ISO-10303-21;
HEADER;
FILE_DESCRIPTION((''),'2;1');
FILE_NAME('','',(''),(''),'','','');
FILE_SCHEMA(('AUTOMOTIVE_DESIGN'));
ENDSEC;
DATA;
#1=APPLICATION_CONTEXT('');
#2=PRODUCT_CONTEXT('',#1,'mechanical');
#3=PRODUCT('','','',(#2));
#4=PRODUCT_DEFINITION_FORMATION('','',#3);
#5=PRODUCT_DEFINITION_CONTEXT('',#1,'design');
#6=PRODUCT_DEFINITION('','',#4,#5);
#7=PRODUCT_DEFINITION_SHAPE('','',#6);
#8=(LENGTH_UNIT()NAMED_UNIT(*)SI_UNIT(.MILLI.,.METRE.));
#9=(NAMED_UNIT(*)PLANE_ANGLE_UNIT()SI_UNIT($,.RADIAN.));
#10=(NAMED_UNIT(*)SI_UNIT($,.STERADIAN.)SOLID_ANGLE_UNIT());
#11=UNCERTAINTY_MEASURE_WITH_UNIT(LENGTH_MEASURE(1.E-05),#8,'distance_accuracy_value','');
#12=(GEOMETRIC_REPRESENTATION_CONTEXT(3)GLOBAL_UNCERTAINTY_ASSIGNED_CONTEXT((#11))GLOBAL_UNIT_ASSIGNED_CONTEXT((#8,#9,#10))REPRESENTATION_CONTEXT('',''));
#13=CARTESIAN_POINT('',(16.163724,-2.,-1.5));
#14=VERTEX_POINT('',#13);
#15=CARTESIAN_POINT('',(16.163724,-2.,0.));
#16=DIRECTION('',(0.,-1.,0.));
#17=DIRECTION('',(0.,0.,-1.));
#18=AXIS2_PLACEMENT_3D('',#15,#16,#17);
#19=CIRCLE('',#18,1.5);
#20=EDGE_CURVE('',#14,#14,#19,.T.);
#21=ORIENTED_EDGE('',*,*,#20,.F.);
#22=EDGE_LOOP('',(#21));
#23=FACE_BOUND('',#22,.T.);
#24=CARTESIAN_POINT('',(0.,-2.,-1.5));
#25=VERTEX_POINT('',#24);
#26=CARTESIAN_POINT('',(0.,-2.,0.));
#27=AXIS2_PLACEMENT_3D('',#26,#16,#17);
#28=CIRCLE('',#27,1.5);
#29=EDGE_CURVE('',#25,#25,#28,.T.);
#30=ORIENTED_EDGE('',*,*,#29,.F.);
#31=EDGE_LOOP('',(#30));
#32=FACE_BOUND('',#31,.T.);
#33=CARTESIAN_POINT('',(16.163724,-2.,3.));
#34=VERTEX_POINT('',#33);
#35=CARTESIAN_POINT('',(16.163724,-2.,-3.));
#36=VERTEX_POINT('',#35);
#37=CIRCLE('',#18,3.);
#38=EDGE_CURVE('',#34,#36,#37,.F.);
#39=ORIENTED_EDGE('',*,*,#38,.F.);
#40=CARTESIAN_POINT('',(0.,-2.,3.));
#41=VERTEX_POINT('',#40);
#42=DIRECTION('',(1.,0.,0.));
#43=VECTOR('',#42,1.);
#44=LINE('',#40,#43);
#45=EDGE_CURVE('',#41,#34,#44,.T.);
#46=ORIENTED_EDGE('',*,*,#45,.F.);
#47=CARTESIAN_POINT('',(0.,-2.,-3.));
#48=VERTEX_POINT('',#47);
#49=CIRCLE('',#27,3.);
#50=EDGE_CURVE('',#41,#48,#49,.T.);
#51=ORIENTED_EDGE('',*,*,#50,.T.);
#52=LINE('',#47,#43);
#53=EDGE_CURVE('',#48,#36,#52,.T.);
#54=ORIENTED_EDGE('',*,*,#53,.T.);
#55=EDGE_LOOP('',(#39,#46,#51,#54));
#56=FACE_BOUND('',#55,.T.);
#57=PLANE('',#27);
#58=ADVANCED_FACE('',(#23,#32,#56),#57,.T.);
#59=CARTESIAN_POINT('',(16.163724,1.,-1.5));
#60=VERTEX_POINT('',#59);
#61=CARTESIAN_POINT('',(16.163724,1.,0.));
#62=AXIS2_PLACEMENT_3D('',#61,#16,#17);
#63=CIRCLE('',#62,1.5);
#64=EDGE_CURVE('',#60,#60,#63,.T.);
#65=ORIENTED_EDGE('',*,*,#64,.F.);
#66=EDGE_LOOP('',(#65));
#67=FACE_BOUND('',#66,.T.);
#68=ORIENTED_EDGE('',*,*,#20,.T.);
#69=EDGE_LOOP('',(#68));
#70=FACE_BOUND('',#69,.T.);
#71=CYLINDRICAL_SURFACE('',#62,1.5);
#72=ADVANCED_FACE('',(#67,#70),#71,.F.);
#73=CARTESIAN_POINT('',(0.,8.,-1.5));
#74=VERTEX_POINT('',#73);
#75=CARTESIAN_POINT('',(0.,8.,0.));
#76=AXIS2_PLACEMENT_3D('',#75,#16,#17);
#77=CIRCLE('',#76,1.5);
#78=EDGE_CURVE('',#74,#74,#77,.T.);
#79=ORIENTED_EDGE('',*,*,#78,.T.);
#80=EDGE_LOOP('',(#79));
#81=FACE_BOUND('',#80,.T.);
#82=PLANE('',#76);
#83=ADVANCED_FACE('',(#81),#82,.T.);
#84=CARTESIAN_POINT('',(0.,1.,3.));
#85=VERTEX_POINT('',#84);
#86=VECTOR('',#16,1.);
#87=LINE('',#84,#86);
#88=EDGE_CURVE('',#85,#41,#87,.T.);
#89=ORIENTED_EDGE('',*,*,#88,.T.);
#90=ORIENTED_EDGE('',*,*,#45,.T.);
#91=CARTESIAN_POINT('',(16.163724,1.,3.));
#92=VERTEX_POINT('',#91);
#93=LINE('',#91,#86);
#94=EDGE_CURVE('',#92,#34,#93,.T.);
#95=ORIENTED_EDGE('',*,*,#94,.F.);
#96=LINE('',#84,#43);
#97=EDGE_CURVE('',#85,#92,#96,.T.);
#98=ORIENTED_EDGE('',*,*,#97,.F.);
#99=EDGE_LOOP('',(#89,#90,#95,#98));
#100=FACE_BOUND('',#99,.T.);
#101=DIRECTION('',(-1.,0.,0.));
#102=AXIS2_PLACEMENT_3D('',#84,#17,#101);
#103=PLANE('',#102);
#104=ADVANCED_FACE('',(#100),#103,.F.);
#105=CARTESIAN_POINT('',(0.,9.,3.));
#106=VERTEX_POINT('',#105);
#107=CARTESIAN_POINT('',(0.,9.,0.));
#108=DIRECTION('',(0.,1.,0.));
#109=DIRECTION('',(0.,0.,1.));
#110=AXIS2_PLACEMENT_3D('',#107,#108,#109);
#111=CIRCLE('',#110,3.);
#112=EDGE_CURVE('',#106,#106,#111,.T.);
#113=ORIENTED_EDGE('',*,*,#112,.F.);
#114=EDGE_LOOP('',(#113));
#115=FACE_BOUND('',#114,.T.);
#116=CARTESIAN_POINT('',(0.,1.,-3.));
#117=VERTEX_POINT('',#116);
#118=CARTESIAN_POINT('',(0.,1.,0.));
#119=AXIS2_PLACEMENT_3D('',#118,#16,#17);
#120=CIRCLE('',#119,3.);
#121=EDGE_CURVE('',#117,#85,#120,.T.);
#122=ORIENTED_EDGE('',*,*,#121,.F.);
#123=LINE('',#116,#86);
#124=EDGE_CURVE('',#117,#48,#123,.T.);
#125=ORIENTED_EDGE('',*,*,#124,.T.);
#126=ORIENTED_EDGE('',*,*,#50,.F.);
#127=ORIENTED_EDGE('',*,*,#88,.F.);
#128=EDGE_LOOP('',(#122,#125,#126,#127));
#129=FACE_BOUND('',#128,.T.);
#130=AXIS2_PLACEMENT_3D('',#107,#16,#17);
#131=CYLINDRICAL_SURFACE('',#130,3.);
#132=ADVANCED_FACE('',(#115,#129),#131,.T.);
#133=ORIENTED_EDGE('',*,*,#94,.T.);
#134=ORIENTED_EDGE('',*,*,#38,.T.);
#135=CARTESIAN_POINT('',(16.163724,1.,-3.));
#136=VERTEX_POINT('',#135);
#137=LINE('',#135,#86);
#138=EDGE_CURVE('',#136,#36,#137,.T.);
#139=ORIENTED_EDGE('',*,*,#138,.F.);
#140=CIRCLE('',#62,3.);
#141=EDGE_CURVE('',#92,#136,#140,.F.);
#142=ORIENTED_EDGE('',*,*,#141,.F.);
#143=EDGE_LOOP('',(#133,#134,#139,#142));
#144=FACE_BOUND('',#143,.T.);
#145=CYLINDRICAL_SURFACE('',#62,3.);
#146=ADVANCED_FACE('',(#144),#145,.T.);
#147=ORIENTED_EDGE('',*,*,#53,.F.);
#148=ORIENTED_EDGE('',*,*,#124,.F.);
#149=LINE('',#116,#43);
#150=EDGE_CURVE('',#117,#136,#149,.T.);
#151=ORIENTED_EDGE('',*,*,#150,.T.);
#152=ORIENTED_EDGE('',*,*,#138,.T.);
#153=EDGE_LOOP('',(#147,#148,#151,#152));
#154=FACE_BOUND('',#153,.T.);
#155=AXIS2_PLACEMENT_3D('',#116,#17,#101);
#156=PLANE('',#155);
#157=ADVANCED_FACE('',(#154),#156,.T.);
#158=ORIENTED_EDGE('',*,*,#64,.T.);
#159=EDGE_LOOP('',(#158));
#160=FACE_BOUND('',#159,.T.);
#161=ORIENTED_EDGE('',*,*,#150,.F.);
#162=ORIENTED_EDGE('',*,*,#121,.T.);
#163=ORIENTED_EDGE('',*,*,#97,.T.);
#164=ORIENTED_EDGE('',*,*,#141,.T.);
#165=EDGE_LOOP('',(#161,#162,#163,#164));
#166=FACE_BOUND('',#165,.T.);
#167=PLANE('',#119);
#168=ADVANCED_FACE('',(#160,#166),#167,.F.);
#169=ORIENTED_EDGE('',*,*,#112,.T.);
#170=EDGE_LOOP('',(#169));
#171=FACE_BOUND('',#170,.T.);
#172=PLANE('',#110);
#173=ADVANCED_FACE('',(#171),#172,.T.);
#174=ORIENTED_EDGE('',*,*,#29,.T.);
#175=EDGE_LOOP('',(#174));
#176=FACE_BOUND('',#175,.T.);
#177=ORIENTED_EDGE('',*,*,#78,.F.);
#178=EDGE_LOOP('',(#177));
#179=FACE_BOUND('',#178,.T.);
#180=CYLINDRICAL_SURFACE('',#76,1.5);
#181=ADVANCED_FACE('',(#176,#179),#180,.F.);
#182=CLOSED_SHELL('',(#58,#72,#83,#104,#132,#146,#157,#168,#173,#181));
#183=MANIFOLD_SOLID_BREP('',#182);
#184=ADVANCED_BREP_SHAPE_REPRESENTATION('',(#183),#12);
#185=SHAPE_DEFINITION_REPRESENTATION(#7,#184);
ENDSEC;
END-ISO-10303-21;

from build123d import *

# Parameters (mm, degrees)
SKETCH1_R           = 3
BOSS_EXTRUDE1_DEPTH = 9
SKETCH4_R           = 3
BOSS_EXTRUDE3_DEPTH = 2
SKETCH6_R           = 1.5
BOSS_EXTRUDE4_DEPTH = 3
SKETCH7_R           = 1.5
CUT_EXTRUDE3_DEPTH  = 10


with BuildPart() as part:
    # Sketch1 → Boss-Extrude1 (new body)
    with BuildSketch(Plane(origin=(0, 0, 0), x_dir=(1, 0, 0), z_dir=(0, 1, 0))):
        Circle(SKETCH1_R)
    extrude(amount=BOSS_EXTRUDE1_DEPTH)

    # Sketch4 → Boss-Extrude3 (add)
    with BuildSketch(Plane.XZ):
        Circle(SKETCH4_R)
    extrude(amount=BOSS_EXTRUDE3_DEPTH)

    # Sketch6 → Boss-Extrude4 (add)
    with BuildSketch(Plane.XZ.offset(2)):
        with BuildLine():
            Line((16.163723902, 3), (0, 3))
            ThreePointArc((0, 3), (2.121320344, 2.121320344), (3, 0))
            ThreePointArc((3, 0), (2.121320344, -2.121320344), (0, -3))
            Line((0, -3), (16.163723902, -3))
            ThreePointArc((16.163723902, -3), (19.163723902, 0), (16.163723902, 3))
        make_face()
        with Locations((16.163723902, 0)):
            Circle(SKETCH6_R, mode=Mode.SUBTRACT)
    extrude(amount=-BOSS_EXTRUDE4_DEPTH)

    # Sketch7 → Cut-Extrude3 (cut)
    with BuildSketch(Plane.XZ.offset(2)):
        Circle(SKETCH7_R)
    extrude(amount=-CUT_EXTRUDE3_DEPTH, mode=Mode.SUBTRACT)


solid = part.part
